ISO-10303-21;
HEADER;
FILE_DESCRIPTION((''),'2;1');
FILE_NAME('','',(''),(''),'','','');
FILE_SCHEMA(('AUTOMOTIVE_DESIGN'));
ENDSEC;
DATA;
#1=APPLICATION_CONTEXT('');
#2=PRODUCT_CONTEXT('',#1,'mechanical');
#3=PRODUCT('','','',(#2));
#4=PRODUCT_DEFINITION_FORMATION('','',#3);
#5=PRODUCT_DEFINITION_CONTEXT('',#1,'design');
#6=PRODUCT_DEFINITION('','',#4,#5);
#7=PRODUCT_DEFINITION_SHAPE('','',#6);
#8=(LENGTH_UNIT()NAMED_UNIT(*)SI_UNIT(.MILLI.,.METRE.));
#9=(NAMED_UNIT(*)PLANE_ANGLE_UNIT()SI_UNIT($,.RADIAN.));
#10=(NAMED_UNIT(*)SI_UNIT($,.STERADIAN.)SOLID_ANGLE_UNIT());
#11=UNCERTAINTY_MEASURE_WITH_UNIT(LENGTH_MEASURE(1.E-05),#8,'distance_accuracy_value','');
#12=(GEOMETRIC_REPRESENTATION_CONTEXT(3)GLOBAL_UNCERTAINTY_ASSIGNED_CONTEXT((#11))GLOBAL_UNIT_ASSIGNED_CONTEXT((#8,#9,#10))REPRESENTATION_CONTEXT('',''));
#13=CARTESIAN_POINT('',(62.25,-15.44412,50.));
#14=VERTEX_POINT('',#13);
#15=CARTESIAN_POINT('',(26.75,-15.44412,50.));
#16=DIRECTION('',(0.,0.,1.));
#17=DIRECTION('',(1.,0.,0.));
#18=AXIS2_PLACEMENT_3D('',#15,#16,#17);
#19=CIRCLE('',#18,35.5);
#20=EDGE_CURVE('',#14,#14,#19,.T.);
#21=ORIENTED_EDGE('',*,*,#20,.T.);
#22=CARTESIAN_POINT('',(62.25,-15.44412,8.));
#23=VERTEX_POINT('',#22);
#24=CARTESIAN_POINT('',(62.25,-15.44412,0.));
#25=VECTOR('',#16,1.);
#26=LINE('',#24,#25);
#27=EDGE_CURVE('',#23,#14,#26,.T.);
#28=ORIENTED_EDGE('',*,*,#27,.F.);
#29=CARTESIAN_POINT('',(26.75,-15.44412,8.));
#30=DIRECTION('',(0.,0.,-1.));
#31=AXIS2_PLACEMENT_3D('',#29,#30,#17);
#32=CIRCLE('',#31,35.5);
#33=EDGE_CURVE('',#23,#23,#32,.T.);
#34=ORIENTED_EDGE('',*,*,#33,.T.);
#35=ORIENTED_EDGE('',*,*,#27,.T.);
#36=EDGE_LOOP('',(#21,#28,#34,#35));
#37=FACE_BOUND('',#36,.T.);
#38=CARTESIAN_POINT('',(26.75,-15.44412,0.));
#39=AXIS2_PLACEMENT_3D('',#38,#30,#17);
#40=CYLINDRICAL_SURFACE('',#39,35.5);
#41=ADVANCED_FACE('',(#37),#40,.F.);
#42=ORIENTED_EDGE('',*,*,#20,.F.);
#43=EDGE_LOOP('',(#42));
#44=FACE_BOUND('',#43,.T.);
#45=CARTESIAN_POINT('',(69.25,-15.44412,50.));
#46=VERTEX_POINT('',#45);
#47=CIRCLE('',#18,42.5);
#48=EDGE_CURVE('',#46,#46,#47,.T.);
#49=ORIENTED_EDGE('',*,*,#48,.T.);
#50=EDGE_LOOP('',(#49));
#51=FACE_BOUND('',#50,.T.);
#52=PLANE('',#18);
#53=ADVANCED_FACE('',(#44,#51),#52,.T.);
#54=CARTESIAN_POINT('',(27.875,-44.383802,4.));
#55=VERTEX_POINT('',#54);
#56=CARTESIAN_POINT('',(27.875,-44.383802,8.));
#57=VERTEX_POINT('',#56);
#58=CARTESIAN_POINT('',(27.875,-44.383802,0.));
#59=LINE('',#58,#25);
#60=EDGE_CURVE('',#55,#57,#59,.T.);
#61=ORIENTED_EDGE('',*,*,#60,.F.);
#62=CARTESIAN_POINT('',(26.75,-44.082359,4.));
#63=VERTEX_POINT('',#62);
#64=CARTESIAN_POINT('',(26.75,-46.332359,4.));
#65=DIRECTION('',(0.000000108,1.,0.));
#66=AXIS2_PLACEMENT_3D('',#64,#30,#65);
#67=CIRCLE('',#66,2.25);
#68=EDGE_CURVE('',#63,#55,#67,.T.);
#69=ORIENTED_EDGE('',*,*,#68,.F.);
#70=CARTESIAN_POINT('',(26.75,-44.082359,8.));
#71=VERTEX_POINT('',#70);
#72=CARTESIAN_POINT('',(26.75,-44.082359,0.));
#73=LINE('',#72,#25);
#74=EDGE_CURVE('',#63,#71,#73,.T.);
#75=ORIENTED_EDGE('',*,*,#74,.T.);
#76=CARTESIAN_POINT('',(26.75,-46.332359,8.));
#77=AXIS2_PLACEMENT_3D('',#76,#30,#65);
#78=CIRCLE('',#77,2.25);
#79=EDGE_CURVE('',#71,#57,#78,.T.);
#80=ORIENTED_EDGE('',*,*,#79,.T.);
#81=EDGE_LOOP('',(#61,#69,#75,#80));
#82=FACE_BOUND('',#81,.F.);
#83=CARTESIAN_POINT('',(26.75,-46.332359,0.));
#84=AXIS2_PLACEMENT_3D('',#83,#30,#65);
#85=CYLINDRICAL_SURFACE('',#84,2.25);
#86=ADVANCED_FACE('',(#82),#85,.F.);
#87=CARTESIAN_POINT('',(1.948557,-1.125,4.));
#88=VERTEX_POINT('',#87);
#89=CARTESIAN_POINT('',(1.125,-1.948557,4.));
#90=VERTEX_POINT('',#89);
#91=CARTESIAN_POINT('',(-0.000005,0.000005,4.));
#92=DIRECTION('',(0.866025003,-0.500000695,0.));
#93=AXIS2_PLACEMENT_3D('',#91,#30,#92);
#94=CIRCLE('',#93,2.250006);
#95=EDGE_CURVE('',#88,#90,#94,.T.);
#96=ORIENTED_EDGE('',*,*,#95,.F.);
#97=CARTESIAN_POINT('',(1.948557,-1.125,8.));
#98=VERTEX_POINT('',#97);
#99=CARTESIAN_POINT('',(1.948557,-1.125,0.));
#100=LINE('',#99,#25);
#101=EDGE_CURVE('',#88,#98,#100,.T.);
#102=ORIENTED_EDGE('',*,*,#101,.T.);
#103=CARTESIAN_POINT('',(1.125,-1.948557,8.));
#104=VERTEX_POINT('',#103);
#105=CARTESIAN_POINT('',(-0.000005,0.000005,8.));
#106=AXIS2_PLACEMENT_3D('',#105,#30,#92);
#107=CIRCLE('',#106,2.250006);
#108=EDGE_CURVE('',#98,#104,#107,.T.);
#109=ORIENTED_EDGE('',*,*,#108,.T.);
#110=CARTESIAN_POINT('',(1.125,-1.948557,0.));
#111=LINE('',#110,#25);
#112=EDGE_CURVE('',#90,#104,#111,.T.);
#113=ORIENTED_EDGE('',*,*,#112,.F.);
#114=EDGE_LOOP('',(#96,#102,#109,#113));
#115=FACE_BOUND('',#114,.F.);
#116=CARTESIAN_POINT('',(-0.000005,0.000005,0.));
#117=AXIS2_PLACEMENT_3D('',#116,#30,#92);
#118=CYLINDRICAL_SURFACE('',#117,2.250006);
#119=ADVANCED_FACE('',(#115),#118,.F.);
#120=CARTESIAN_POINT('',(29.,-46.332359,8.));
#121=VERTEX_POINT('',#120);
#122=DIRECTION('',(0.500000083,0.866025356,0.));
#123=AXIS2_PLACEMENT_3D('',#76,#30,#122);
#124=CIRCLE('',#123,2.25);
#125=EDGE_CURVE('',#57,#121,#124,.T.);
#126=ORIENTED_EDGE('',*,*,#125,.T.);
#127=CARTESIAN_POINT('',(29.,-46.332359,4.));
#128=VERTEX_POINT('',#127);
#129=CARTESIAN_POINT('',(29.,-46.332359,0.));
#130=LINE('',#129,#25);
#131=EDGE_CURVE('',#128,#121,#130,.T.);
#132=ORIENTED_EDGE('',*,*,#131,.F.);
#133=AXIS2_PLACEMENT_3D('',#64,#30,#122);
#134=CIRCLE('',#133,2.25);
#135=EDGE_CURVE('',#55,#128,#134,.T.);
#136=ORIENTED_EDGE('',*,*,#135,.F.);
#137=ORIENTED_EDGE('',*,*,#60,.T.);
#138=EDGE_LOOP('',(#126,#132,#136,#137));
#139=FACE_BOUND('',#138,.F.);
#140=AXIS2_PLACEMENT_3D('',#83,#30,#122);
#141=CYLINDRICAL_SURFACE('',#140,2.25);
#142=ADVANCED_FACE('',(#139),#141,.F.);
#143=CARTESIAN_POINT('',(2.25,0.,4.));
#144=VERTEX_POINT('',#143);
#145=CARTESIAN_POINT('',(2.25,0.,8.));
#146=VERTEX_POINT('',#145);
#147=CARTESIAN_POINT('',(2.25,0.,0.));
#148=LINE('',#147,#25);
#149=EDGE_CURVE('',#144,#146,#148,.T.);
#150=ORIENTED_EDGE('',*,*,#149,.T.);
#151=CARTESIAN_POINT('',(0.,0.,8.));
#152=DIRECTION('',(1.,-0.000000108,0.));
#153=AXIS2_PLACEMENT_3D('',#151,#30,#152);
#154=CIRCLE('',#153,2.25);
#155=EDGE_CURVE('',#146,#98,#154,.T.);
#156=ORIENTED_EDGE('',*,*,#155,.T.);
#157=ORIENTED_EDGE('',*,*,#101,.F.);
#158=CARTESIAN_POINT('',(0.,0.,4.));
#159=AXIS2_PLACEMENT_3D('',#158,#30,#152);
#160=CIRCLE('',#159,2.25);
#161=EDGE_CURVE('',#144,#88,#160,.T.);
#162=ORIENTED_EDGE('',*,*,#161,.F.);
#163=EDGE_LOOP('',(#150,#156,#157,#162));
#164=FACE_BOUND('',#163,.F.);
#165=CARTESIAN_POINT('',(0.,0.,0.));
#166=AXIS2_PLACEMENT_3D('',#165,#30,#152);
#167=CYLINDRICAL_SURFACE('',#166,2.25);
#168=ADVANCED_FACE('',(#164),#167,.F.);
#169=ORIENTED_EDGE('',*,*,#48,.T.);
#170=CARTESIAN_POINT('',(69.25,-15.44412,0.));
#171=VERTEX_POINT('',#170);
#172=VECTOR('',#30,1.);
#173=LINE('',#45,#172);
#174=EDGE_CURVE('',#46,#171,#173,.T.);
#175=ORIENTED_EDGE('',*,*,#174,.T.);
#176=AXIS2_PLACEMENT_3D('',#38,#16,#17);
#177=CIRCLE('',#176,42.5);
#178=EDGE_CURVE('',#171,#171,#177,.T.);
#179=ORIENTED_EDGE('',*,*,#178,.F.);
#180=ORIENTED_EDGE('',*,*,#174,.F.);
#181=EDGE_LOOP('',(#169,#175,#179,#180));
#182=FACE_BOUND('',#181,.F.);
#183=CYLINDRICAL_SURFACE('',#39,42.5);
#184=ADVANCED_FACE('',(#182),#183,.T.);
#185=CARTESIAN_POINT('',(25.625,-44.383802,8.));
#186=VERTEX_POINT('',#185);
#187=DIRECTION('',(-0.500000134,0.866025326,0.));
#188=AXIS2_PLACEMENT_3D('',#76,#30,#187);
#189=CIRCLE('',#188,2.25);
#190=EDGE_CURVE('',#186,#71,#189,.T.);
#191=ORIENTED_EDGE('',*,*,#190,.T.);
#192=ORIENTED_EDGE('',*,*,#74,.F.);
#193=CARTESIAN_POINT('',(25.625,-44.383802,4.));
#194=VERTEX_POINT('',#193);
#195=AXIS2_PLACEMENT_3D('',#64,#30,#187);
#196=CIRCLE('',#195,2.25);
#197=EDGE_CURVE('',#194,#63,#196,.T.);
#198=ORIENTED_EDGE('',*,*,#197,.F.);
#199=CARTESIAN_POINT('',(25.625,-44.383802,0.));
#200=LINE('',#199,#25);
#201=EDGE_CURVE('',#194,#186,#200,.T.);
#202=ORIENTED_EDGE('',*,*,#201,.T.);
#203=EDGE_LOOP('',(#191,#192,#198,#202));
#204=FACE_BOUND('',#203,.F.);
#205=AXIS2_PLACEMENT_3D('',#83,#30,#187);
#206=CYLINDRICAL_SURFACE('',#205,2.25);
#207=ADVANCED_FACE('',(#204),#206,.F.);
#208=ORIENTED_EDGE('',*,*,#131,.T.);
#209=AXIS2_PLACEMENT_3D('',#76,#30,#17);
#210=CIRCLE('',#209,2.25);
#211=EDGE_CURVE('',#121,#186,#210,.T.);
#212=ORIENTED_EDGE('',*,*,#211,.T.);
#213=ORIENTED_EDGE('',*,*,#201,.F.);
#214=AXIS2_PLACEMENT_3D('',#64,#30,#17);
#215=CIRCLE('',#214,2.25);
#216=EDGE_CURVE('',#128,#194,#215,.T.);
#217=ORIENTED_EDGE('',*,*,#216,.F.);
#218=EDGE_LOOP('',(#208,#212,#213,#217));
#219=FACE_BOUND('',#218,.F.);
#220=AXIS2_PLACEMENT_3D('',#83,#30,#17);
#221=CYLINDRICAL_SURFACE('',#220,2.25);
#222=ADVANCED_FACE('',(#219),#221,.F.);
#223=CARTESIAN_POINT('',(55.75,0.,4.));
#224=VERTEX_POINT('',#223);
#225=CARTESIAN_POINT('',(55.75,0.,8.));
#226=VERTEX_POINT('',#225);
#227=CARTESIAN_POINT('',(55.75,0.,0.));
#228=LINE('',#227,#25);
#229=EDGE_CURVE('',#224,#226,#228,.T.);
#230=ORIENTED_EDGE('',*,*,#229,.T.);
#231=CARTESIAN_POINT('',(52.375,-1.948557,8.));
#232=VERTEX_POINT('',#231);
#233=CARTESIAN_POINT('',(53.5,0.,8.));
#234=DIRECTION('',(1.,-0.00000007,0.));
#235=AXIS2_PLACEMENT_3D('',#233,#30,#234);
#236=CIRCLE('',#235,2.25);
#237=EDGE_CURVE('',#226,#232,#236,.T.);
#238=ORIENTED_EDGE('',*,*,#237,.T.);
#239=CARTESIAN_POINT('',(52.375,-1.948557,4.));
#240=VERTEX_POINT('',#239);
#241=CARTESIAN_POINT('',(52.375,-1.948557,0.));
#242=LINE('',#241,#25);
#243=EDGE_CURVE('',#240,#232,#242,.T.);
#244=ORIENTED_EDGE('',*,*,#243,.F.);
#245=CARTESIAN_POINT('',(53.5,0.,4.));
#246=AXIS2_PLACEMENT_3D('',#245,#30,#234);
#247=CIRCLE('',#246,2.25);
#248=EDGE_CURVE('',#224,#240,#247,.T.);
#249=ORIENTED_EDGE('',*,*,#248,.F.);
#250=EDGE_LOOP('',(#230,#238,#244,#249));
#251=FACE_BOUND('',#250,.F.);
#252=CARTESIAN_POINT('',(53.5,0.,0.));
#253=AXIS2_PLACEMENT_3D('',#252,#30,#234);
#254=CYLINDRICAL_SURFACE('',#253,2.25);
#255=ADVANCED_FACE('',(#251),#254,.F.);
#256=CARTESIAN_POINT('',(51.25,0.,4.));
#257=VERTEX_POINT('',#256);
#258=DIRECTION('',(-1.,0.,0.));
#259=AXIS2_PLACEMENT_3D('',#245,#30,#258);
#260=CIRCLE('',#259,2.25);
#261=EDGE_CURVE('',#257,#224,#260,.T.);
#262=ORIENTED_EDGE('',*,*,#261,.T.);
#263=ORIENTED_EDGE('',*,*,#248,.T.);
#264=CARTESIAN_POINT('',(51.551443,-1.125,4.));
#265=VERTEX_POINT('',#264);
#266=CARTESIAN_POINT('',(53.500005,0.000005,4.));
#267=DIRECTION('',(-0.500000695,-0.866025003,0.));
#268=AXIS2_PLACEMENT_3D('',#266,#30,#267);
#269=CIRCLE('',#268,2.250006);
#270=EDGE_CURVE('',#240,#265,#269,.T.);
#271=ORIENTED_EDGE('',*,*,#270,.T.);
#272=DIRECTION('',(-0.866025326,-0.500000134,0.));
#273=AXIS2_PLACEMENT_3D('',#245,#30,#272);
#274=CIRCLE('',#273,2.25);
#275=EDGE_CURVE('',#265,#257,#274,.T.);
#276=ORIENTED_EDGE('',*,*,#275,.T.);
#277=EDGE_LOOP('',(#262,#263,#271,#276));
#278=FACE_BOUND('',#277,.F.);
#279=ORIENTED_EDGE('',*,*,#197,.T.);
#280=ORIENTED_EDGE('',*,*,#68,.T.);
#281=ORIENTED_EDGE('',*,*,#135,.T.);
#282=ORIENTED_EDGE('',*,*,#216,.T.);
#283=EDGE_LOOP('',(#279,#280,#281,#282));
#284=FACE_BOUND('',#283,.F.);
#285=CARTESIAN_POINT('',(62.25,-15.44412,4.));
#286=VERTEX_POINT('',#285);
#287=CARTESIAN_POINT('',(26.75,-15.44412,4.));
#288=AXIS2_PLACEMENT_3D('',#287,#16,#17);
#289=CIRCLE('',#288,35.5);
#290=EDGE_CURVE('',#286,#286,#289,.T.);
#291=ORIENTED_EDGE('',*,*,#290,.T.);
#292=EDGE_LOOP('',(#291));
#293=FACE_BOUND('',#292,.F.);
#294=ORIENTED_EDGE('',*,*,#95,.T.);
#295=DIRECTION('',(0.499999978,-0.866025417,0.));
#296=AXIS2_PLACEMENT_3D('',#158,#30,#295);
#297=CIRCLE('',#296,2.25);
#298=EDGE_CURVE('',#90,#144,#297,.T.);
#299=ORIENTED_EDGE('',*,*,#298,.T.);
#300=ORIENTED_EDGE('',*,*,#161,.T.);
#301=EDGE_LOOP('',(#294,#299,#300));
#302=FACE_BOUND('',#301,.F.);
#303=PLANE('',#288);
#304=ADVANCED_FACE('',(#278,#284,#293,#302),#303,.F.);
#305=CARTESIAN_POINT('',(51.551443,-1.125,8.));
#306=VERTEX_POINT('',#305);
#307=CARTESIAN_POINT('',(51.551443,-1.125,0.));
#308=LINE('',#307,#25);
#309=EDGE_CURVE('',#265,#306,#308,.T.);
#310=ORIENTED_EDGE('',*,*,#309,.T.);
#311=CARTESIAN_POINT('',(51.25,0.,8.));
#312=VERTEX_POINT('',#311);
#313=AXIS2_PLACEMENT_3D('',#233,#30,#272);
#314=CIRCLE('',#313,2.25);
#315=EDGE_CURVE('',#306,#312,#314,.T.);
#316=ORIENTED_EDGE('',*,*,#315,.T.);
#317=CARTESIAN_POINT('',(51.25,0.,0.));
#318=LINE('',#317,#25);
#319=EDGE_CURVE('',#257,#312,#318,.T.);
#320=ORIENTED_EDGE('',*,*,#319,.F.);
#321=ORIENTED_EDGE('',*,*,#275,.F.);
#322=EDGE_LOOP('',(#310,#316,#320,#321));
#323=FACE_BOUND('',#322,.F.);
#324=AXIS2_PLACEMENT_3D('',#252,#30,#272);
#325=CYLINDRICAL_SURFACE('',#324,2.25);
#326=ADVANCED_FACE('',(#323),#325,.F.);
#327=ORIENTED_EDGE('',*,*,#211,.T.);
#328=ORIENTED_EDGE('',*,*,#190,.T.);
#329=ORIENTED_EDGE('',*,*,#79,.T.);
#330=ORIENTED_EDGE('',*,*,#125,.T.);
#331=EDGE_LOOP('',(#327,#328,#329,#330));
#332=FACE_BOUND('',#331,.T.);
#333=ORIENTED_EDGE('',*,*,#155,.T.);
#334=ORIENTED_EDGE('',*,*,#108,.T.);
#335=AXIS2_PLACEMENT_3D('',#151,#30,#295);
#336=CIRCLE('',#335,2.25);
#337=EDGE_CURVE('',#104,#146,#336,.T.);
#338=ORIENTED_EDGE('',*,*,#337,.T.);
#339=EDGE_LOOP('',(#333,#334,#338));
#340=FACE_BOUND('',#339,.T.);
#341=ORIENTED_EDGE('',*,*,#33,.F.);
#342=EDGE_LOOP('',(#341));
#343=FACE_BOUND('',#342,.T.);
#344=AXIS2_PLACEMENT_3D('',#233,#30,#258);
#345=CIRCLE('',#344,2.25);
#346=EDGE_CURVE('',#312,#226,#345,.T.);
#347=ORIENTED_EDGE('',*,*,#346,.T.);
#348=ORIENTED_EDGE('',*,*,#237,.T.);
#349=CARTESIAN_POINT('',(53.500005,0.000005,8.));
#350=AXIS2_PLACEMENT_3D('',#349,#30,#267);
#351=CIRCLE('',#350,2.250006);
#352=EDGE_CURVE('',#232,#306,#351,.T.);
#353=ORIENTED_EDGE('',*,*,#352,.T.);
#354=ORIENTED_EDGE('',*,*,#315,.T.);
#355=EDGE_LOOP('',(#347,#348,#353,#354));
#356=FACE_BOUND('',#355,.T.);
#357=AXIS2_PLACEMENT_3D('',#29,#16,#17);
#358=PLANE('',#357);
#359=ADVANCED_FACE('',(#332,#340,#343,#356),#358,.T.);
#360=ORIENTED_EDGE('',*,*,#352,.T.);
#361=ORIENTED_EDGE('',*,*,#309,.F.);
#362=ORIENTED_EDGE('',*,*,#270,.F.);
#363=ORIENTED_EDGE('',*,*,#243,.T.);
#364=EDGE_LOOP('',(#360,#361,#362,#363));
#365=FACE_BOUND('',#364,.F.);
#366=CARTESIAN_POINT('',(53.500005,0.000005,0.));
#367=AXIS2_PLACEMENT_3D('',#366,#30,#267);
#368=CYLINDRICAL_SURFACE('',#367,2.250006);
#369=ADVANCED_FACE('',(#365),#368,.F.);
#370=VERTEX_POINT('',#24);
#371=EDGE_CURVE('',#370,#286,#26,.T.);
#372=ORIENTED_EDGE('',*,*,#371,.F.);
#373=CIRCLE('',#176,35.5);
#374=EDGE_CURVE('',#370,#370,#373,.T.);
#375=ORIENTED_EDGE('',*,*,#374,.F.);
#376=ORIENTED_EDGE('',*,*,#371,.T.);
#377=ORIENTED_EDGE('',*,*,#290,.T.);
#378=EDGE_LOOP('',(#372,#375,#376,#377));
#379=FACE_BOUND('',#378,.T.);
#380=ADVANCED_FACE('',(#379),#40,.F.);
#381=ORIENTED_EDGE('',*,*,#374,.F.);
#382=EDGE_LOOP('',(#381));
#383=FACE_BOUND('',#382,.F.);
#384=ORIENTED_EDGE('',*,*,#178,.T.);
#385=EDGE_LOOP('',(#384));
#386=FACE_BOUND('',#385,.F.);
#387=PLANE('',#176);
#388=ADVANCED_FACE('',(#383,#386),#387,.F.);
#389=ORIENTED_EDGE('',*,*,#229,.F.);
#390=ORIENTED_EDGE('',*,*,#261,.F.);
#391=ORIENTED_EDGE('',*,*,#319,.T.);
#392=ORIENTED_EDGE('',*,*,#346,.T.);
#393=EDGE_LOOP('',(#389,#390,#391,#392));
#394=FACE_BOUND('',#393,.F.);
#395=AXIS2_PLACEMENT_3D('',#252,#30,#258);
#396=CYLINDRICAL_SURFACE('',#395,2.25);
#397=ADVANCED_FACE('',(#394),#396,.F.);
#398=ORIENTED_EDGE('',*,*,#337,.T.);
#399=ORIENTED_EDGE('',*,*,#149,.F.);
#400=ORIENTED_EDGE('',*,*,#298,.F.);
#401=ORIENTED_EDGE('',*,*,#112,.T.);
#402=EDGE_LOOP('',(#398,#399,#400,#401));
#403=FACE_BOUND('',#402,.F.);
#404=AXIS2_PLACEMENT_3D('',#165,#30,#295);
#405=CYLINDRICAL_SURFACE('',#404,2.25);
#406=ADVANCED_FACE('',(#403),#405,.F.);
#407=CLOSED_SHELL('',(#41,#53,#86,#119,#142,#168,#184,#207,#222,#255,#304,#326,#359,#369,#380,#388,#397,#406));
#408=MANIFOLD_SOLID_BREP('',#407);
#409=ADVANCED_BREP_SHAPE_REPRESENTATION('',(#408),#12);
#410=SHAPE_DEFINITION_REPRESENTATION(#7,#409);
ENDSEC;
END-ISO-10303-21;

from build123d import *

# Parameters (mm, degrees)
F0_R     = 42.5
F0_R_2   = 35.5
F1_DEPTH = 8
F2_DEPTH = 50
F3_DEPTH = 4


with BuildPart() as f1:
    # F0 (on Top) → F1 (new body)
    with BuildSketch(Plane.XY):
        with Locations((26.75, -15.44412)):
            Circle(F0_R)
        with Locations((26.75, -15.44412)):
            Circle(F0_R_2, mode=Mode.SUBTRACT)
        with Locations((26.75, -15.44412)):
            Circle(F0_R_2)
        with BuildLine():
            ThreePointArc((1.125, -1.948557), (-1.948557, 1.125), (2.25, 0))
            Line((2.25, 0), (26.75, 0))
            Line((26.75, 0), (51.25, 0))
            ThreePointArc((51.25, 0), (53.5, 2.25), (55.75, 0))
            ThreePointArc((55.75, 0), (54.625, -1.948557), (52.375, -1.948557))
            Line((52.375, -1.948557), (40.125, -23.16618))
            Line((40.125, -23.16618), (27.875, -44.383802))
            ThreePointArc((27.875, -44.383802), (28.698557, -45.207359), (29, -46.332359))
            ThreePointArc((29, -46.332359), (25.625, -48.280916), (25.625, -44.383802))
            Line((25.625, -44.383802), (13.375, -23.16618))
            Line((13.375, -23.16618), (1.125, -1.948557))
        make_face(mode=Mode.SUBTRACT)
        with BuildLine():
            Line((26.75, -15.44412), (13.375, -23.16618))
            Line((13.375, -23.16618), (25.625, -44.383802))
            ThreePointArc((25.625, -44.383802), (26.167657, -44.159026), (26.75, -44.082359))
            Line((26.75, -44.082359), (26.75, -15.44412))
        make_face()
        with BuildLine():
            ThreePointArc((1.948557, -1.125), (1.59099, -1.59099), (1.125, -1.948557))
            Line((1.125, -1.948557), (13.375, -23.16618))
            Line((13.375, -23.16618), (26.75, -15.44412))
            Line((26.75, -15.44412), (1.948557, -1.125))
        make_face()
        with BuildLine():
            Line((51.551443, -1.125), (26.75, -15.44412))
            Line((26.75, -15.44412), (40.125, -23.16618))
            Line((40.125, -23.16618), (52.375, -1.948557))
            ThreePointArc((52.375, -1.948557), (51.90901, -1.59099), (51.551443, -1.125))
        make_face()
        with BuildLine():
            Line((51.25, 0), (26.75, 0))
            Line((26.75, 0), (26.75, -15.44412))
            Line((26.75, -15.44412), (51.551443, -1.125))
            ThreePointArc((51.551443, -1.125), (51.326667, -0.582343), (51.25, 0))
        make_face()
        with BuildLine():
            Line((40.125, -23.16618), (26.75, -15.44412))
            Line((26.75, -15.44412), (26.75, -44.082359))
            ThreePointArc((26.75, -44.082359), (27.332343, -44.159026), (27.875, -44.383802))
            Line((27.875, -44.383802), (40.125, -23.16618))
        make_face()
        with BuildLine():
            Line((26.75, 0), (2.25, 0))
            ThreePointArc((2.25, 0), (2.173333, -0.582343), (1.948557, -1.125))
            Line((1.948557, -1.125), (26.75, -15.44412))
            Line((26.75, -15.44412), (26.75, 0))
        make_face()
    extrude(amount=F1_DEPTH)

    # F0 (on Top) → F2 (join)
    with BuildSketch(Plane.XY):
        with Locations((26.75, -15.44412)):
            Circle(F0_R)
        with Locations((26.75, -15.44412)):
            Circle(F0_R_2, mode=Mode.SUBTRACT)
    extrude(amount=F2_DEPTH)

    # F0 (on Top) → F3 (cut)
    with BuildSketch(Plane.XY):
        with Locations((26.75, -15.44412)):
            Circle(F0_R_2)
        with BuildLine():
            ThreePointArc((1.125, -1.948557), (-1.948557, 1.125), (2.25, 0))
            Line((2.25, 0), (26.75, 0))
            Line((26.75, 0), (51.25, 0))
            ThreePointArc((51.25, 0), (53.5, 2.25), (55.75, 0))
            ThreePointArc((55.75, 0), (54.625, -1.948557), (52.375, -1.948557))
            Line((52.375, -1.948557), (40.125, -23.16618))
            Line((40.125, -23.16618), (27.875, -44.383802))
            ThreePointArc((27.875, -44.383802), (28.698557, -45.207359), (29, -46.332359))
            ThreePointArc((29, -46.332359), (25.625, -48.280916), (25.625, -44.383802))
            Line((25.625, -44.383802), (13.375, -23.16618))
            Line((13.375, -23.16618), (1.125, -1.948557))
        make_face(mode=Mode.SUBTRACT)
        with BuildLine():
            Line((26.75, 0), (2.25, 0))
            ThreePointArc((2.25, 0), (2.173333, -0.582343), (1.948557, -1.125))
            Line((1.948557, -1.125), (26.75, -15.44412))
            Line((26.75, -15.44412), (26.75, 0))
        make_face()
        with BuildLine():
            Line((51.25, 0), (26.75, 0))
            Line((26.75, 0), (26.75, -15.44412))
            Line((26.75, -15.44412), (51.551443, -1.125))
            ThreePointArc((51.551443, -1.125), (51.326667, -0.582343), (51.25, 0))
        make_face()
        with BuildLine():
            Line((26.75, -15.44412), (13.375, -23.16618))
            Line((13.375, -23.16618), (25.625, -44.383802))
            ThreePointArc((25.625, -44.383802), (26.167657, -44.159026), (26.75, -44.082359))
            Line((26.75, -44.082359), (26.75, -15.44412))
        make_face()
        with BuildLine():
            ThreePointArc((1.948557, -1.125), (1.59099, -1.59099), (1.125, -1.948557))
            Line((1.125, -1.948557), (13.375, -23.16618))
            Line((13.375, -23.16618), (26.75, -15.44412))
            Line((26.75, -15.44412), (1.948557, -1.125))
        make_face()
        with BuildLine():
            Line((51.551443, -1.125), (26.75, -15.44412))
            Line((26.75, -15.44412), (40.125, -23.16618))
            Line((40.125, -23.16618), (52.375, -1.948557))
            ThreePointArc((52.375, -1.948557), (51.90901, -1.59099), (51.551443, -1.125))
        make_face()
        with BuildLine():
            Line((40.125, -23.16618), (26.75, -15.44412))
            Line((26.75, -15.44412), (26.75, -44.082359))
            ThreePointArc((26.75, -44.082359), (27.332343, -44.159026), (27.875, -44.383802))
            Line((27.875, -44.383802), (40.125, -23.16618))
        make_face()
    extrude(amount=F3_DEPTH, mode=Mode.SUBTRACT)


solid = f1.part
